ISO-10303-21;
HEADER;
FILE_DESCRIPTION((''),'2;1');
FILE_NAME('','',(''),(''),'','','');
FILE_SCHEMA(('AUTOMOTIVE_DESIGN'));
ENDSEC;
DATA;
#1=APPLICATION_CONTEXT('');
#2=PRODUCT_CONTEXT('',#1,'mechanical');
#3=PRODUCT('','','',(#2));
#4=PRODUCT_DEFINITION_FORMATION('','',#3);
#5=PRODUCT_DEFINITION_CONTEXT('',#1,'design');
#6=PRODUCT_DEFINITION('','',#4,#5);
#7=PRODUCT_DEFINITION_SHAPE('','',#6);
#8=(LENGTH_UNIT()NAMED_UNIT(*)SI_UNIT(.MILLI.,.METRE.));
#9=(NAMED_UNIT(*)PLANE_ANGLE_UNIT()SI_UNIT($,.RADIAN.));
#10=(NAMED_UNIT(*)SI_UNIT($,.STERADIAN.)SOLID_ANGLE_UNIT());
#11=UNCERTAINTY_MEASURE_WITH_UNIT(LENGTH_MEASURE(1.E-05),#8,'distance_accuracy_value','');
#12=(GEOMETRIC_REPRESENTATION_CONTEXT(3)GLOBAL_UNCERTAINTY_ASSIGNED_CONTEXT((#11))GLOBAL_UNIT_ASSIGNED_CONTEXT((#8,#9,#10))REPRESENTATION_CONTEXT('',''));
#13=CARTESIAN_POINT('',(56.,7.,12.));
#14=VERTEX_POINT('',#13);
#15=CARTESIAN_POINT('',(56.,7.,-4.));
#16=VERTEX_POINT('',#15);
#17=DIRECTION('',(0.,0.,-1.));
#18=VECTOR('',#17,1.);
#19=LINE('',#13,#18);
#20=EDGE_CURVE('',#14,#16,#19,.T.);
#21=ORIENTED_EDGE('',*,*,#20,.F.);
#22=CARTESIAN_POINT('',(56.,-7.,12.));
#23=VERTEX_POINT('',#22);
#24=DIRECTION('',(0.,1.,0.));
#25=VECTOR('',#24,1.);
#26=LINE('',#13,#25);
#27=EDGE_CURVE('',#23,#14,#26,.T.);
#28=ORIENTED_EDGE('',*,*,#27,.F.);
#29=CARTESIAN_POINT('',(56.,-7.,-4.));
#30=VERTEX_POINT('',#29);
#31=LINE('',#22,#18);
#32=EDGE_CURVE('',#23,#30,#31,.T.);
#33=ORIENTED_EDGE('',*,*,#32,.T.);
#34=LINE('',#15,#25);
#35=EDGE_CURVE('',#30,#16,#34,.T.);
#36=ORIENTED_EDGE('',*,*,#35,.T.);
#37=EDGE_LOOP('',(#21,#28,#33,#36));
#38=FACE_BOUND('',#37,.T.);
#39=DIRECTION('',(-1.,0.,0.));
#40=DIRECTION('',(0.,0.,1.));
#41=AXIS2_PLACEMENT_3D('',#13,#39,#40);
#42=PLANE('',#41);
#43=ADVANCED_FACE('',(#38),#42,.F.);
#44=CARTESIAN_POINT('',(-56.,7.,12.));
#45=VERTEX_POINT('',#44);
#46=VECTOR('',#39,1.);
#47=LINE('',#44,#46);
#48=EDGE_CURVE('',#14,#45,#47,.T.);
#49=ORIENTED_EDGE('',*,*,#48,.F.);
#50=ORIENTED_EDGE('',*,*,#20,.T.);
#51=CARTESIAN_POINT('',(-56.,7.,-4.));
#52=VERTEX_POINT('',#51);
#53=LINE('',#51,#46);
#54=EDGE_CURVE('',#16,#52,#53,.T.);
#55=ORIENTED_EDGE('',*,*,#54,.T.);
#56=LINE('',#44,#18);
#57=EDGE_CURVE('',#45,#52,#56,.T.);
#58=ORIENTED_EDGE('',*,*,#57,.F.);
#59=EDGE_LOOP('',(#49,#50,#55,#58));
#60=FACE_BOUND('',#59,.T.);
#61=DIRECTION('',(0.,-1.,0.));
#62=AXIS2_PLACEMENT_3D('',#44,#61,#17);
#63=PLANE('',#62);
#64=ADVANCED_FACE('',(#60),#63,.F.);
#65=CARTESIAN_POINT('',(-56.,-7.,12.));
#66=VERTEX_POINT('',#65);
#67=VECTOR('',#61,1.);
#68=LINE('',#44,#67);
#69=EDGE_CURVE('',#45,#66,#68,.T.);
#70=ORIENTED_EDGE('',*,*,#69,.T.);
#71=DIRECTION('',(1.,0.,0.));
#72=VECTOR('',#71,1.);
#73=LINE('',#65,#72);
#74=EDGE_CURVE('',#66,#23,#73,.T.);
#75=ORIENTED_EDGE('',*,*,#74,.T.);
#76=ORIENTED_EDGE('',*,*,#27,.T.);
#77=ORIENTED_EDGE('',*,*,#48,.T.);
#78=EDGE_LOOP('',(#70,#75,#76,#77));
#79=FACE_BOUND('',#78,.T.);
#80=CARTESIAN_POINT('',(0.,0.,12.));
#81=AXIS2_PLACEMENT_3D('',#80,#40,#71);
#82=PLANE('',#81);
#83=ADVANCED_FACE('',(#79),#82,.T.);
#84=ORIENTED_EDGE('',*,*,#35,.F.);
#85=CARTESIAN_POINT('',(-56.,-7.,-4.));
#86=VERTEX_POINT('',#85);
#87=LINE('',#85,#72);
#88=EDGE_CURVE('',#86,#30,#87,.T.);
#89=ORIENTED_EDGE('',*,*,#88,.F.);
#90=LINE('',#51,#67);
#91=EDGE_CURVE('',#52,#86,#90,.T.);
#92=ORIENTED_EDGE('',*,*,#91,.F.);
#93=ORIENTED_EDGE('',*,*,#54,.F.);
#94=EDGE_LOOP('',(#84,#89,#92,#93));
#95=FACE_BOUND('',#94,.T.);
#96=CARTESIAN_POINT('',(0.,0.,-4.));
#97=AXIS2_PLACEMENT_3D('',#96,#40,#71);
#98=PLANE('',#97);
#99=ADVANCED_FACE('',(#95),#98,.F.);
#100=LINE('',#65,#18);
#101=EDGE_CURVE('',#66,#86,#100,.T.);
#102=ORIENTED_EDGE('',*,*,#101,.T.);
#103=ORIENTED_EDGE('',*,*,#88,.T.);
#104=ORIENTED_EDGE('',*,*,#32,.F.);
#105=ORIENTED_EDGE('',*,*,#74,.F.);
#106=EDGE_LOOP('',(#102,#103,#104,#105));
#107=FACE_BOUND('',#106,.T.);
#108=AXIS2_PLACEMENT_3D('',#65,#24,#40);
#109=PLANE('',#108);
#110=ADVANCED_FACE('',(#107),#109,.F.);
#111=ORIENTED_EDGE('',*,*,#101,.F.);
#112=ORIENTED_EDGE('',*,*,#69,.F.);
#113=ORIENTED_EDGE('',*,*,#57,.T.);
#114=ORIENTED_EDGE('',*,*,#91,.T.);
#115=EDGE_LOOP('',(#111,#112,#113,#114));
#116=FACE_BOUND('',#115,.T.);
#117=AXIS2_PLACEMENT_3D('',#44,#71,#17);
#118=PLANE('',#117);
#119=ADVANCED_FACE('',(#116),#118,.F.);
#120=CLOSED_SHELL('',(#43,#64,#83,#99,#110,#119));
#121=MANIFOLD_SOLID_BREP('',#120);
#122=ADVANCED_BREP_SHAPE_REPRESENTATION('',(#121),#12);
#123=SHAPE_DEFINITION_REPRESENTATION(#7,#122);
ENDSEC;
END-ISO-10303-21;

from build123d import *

# Parameters (mm, degrees)
SKETCH1_W           = 56
SKETCH1_H           = 7
BOSS_EXTRUDE1_DEPTH = 8
SCALE1_SCALE        = 2


with BuildPart() as part:
    # Sketch1 → Boss-Extrude1 (new body)
    with BuildSketch(Plane.XY):
        Rectangle(SKETCH1_W, SKETCH1_H)
    extrude(amount=BOSS_EXTRUDE1_DEPTH)


with BuildPart() as part_1:
    # Scale1: scaled about (0, 0, 4)
    add(part.part.scale(SCALE1_SCALE).moved(Location((0, 0, -4))))


solid = part_1.part
